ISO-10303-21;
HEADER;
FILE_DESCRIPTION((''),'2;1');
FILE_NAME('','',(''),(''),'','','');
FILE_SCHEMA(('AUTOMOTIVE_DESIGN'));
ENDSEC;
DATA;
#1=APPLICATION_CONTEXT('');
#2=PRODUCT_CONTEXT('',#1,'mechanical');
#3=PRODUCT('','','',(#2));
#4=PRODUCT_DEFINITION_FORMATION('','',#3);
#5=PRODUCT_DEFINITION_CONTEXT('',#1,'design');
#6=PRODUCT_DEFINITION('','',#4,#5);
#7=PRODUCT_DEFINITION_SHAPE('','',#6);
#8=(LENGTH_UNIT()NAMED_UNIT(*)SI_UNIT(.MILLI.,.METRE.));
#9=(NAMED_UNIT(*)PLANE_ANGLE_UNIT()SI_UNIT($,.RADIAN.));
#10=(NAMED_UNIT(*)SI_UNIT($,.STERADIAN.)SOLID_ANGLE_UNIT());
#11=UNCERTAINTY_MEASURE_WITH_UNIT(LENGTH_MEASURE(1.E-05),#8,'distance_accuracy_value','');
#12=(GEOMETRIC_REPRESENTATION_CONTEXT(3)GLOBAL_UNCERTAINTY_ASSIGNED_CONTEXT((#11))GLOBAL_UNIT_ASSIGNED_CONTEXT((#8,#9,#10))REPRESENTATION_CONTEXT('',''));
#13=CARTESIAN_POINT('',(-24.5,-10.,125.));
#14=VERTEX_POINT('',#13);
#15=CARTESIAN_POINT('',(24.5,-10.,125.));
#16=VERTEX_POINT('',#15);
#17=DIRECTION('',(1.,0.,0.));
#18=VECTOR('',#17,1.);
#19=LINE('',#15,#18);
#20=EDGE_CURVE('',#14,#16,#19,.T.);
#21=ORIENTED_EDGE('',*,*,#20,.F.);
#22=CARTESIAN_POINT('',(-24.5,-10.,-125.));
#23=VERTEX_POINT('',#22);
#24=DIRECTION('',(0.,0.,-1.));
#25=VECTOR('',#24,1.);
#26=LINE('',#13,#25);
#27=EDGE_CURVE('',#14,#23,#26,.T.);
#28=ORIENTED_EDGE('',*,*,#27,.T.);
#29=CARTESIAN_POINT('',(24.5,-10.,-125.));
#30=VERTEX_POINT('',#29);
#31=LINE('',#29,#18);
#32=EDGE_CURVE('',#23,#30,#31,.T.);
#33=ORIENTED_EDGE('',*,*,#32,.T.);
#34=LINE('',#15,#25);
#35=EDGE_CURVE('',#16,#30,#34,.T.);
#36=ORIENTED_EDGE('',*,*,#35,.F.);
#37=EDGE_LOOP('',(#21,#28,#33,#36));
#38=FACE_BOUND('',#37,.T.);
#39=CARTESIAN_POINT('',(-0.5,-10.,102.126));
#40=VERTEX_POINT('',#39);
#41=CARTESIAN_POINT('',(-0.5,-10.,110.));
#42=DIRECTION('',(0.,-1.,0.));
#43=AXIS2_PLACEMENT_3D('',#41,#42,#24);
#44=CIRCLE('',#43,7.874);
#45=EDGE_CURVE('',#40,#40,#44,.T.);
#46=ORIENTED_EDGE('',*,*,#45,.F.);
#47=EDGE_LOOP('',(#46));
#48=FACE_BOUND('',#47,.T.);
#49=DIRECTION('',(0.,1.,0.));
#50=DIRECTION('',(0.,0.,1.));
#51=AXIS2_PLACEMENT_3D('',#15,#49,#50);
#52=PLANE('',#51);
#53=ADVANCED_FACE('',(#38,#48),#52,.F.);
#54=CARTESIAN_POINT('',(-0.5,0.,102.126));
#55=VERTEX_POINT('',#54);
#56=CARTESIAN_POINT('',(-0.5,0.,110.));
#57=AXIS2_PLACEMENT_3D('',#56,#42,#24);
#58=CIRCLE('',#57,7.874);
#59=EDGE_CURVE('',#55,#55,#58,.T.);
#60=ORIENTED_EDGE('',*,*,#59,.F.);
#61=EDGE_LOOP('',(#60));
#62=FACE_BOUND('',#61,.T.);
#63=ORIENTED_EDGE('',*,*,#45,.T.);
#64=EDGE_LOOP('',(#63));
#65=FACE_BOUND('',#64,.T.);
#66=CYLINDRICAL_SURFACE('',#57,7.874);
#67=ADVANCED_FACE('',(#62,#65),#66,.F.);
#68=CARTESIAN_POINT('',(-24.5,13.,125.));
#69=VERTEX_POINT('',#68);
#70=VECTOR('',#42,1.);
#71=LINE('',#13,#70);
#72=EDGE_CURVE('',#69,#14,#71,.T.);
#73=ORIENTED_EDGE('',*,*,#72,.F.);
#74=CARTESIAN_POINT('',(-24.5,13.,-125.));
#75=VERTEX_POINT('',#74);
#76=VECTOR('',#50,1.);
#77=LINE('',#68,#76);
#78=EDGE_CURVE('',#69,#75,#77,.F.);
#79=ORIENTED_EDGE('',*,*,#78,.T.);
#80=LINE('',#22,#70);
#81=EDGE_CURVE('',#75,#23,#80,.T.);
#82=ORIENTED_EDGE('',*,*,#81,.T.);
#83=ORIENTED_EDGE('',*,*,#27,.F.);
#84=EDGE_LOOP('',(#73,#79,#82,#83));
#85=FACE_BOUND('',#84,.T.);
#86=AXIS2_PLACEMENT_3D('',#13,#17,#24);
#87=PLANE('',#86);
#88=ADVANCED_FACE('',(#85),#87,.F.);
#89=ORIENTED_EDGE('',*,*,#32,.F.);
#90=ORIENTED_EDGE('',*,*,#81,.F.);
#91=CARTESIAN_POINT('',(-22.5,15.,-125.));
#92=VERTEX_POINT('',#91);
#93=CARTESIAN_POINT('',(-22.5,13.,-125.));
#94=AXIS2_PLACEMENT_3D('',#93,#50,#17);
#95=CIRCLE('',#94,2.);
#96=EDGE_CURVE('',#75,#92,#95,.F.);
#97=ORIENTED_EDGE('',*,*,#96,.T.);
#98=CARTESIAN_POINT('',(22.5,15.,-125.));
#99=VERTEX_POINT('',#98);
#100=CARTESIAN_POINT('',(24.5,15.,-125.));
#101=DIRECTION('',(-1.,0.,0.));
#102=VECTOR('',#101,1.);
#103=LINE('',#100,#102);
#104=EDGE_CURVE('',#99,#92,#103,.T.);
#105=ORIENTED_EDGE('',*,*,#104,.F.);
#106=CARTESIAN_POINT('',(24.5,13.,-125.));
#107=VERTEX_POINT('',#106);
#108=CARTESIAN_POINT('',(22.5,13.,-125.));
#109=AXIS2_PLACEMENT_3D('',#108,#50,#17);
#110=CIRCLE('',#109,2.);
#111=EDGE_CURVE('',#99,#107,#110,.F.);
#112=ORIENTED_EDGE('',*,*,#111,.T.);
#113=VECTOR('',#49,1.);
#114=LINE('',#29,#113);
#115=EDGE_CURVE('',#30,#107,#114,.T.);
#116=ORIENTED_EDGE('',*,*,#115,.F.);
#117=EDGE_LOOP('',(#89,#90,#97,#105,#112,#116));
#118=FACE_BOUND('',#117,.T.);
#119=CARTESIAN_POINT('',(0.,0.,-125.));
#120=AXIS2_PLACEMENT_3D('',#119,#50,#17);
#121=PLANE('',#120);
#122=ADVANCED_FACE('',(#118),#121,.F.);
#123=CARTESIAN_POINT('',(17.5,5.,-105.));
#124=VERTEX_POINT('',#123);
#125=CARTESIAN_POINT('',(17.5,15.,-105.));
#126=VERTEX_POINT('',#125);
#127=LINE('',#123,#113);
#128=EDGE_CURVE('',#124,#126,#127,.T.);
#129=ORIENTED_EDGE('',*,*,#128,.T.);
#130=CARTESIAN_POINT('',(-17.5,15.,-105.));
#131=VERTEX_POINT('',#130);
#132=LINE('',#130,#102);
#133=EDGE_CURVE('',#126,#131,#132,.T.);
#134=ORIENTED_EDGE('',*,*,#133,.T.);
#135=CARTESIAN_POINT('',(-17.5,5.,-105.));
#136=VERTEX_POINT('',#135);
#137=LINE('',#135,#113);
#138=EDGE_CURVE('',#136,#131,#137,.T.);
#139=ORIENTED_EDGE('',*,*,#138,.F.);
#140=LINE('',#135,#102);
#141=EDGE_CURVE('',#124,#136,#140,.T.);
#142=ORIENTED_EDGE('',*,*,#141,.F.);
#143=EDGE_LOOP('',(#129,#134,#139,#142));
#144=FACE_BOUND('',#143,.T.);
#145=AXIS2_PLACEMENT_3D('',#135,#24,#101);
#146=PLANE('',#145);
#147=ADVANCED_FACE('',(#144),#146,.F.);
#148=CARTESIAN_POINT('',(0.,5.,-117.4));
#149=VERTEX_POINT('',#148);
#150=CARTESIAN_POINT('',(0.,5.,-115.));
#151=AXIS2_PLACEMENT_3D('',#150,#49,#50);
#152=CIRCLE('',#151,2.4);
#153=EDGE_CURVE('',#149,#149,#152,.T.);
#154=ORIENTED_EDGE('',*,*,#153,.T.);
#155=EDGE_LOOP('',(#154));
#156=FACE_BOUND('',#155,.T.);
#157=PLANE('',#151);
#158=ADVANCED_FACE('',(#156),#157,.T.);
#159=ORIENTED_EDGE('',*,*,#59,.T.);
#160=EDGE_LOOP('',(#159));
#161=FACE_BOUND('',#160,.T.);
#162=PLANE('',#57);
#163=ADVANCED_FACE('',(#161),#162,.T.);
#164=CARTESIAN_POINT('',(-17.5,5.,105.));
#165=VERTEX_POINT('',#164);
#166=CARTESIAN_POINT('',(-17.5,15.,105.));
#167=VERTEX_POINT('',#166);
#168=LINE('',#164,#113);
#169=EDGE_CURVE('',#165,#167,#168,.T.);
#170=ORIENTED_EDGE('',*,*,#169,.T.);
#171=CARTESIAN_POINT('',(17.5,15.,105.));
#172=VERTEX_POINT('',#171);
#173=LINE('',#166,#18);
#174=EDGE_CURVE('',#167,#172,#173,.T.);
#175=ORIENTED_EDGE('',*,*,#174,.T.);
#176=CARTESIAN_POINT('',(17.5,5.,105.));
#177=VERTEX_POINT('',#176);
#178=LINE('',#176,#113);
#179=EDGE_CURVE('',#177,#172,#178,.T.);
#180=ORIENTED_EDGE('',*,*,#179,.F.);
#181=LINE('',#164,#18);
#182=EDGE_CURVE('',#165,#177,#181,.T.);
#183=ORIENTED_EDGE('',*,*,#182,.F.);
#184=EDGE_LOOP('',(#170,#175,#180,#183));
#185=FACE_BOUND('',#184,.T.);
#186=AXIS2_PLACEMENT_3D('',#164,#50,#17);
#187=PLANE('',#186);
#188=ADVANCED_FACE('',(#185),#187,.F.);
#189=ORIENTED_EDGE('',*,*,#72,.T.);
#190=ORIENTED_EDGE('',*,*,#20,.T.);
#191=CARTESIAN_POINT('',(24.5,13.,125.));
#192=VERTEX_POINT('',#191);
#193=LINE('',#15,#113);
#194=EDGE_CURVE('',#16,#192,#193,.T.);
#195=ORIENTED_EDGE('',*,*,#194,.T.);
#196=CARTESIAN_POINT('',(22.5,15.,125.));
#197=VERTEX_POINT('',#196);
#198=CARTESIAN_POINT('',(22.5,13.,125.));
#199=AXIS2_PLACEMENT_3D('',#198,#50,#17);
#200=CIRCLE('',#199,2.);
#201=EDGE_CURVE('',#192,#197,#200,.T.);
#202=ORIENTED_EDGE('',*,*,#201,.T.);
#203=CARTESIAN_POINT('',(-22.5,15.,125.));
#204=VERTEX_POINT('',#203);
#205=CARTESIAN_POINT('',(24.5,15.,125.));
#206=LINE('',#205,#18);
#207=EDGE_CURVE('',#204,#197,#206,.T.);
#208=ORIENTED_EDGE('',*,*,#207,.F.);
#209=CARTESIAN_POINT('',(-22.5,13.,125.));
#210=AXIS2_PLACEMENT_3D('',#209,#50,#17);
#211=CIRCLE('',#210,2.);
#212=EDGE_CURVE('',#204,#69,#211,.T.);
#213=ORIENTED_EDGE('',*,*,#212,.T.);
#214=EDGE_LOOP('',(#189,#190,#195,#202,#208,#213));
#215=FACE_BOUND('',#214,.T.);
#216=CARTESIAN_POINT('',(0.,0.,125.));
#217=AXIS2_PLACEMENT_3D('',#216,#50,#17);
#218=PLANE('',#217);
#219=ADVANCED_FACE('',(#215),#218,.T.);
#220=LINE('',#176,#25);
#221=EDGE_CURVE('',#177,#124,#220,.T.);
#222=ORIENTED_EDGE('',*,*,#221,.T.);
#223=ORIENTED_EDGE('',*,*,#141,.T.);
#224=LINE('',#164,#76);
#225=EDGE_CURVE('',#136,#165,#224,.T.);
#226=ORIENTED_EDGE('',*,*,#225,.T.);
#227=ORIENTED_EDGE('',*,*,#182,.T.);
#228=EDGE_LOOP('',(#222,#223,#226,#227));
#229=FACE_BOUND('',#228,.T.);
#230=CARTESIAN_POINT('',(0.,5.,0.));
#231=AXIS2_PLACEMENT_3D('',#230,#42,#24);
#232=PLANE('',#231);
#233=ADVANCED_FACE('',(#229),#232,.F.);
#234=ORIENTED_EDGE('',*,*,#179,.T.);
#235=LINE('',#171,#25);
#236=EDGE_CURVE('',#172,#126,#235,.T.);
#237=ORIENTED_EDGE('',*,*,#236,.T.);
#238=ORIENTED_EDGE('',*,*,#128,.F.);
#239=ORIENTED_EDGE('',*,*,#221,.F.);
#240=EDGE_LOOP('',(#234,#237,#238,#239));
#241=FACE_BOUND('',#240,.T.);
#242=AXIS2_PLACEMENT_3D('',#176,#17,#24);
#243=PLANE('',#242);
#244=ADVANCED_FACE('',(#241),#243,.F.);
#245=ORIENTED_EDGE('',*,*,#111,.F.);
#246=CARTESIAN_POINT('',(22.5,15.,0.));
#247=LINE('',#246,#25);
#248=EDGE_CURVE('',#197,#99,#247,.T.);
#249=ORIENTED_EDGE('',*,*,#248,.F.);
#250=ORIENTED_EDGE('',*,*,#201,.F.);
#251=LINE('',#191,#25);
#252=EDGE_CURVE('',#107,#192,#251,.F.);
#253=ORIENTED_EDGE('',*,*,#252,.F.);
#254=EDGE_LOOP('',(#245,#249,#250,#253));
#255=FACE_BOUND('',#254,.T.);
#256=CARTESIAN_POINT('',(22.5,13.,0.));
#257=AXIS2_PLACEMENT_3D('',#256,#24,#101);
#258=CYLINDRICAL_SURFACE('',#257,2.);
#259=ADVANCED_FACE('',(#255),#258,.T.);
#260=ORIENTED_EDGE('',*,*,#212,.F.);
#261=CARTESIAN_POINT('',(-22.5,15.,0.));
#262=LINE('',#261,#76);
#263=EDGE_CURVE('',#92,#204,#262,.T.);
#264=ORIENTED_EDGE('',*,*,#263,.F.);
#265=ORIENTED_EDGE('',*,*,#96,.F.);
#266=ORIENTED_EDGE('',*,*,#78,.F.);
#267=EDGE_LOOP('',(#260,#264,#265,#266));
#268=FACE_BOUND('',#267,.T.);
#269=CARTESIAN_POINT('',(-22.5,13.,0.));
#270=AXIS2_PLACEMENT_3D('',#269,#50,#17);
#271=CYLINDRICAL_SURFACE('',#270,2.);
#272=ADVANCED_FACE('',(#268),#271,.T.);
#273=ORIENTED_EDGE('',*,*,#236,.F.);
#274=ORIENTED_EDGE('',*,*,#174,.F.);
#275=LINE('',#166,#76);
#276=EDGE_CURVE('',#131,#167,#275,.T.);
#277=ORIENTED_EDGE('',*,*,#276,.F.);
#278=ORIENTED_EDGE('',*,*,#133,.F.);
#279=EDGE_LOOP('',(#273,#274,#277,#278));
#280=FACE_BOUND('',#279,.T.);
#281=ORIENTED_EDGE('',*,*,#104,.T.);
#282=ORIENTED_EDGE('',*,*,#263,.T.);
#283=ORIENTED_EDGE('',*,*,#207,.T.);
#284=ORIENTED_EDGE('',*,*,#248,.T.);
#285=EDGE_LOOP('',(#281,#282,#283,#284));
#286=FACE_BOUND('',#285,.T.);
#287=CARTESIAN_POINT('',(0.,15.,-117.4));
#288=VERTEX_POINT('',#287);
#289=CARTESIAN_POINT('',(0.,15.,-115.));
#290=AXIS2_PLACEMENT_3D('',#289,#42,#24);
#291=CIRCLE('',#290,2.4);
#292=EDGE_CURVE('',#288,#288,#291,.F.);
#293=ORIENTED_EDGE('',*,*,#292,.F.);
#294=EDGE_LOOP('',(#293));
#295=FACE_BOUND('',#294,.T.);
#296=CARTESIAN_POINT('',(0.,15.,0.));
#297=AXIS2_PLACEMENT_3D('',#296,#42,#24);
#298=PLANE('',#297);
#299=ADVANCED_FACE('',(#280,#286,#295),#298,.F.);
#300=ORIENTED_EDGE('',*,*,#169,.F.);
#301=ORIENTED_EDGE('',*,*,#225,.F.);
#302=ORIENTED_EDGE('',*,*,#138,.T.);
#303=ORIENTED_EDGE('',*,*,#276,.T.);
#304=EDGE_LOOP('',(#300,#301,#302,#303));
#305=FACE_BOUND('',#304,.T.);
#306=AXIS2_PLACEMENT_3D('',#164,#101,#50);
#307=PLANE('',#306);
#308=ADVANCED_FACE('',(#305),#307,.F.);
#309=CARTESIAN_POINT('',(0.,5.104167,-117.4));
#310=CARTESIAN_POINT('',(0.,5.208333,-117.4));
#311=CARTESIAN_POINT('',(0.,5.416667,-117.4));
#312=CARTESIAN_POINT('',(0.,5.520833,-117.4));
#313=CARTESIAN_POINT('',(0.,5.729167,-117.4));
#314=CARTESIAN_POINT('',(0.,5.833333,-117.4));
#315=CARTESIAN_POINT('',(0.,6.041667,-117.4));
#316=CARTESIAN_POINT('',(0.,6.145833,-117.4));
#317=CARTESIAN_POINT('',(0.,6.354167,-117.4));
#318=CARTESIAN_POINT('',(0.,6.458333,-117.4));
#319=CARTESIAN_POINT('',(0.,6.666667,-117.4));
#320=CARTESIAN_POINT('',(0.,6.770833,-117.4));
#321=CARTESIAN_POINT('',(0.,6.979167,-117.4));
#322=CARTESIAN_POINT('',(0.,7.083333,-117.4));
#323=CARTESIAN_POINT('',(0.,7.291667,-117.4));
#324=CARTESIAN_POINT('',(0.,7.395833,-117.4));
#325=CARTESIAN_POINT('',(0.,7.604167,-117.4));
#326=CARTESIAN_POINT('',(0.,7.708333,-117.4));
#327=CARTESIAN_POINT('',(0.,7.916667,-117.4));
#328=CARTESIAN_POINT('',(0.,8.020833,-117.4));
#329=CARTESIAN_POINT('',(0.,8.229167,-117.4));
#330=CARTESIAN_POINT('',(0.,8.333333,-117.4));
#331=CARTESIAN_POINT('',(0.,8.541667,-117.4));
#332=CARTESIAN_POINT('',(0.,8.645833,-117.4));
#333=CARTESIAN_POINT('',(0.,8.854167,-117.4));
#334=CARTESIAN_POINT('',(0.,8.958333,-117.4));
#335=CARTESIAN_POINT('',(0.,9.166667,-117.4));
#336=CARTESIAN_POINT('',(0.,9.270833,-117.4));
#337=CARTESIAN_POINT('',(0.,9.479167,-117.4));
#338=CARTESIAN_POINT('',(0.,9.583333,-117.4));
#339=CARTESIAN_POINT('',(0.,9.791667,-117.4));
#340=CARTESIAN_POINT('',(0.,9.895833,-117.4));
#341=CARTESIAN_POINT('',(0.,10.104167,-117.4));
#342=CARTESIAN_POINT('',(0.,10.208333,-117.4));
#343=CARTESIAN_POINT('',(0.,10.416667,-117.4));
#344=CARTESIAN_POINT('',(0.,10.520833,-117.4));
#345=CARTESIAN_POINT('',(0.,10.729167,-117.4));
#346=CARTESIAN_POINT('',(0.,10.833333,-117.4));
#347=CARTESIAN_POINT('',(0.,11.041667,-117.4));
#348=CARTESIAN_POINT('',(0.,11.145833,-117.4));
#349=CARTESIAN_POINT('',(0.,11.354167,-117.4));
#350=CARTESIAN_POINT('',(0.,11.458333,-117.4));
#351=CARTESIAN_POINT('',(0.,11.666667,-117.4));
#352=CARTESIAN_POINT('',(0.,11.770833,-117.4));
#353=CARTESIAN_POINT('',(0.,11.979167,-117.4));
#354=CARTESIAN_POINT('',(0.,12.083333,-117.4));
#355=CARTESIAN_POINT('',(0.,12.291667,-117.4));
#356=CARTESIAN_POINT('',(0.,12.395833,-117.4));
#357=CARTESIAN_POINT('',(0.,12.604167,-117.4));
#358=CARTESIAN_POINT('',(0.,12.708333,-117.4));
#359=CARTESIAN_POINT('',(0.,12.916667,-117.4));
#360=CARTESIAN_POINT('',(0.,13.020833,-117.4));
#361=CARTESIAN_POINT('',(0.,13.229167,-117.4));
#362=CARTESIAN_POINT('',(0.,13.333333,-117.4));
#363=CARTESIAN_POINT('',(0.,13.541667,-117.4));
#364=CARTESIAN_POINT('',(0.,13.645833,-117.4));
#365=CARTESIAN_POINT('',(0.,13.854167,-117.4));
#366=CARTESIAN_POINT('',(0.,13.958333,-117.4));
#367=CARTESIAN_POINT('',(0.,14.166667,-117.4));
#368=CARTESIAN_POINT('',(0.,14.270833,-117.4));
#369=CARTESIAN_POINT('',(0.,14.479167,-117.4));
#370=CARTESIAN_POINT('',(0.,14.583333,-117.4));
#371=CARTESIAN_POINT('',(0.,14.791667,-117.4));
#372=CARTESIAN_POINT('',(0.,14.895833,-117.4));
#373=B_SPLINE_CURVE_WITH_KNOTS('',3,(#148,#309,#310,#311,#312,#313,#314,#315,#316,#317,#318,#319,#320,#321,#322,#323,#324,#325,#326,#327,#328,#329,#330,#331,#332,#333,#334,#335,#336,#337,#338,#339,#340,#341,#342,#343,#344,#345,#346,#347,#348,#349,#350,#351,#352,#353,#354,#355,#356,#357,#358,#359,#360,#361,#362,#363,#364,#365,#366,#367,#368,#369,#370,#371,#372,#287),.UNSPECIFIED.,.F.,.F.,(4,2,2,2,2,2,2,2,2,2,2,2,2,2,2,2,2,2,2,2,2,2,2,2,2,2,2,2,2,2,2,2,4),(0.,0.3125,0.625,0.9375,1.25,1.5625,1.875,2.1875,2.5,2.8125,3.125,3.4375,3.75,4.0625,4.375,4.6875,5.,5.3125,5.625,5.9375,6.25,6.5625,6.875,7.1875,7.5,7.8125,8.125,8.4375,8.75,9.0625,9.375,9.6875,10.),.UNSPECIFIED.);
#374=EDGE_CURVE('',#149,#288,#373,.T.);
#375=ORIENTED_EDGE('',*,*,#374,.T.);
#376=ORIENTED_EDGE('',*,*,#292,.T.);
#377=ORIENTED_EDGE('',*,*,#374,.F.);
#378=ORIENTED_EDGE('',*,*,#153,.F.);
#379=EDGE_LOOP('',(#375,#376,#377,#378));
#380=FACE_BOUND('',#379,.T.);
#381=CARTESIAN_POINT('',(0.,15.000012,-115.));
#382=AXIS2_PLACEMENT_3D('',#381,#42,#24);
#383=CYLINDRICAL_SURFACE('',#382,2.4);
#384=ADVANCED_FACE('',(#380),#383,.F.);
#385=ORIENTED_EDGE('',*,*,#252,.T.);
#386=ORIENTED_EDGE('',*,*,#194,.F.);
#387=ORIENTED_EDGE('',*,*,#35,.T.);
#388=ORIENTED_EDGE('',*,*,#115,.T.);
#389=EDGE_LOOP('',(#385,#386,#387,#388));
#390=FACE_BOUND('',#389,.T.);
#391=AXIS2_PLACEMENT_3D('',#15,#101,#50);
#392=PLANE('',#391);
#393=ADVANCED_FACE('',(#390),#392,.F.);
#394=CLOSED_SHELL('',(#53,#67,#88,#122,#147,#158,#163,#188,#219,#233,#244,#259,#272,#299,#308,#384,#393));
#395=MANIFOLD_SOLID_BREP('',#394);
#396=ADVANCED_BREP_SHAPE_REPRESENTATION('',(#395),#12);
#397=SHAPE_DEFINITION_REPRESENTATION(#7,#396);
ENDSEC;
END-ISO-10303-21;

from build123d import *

# Parameters (mm, degrees)
SKETCH1_W               = 49
SKETCH1_H               = 20
BOSS_EXTRUDE1_DEPTH     = 125
SKETCH3_W               = 49
SKETCH3_H               = 250
BOSS_EXTRUDE2_DEPTH     = 5
CUT_EXTRUDE1_DEPTH      = 130.808512818
CUT_EXTRUDE1_DEPTH_BACK = 10
SKETCH2_R               = 2.4
SKETCH5_W               = 35
SKETCH5_H               = 210
CUT_EXTRUDE3_DEPTH      = 10
FILLET1_R               = 2
SKETCH4_R               = 7.874
CUT_EXTRUDE2_DEPTH      = 10


with BuildPart() as part:
    # Sketch1 → Boss-Extrude1 (new, symmetric)
    with BuildSketch(Plane.XY):
        Rectangle(SKETCH1_W, SKETCH1_H)
    extrude(amount=BOSS_EXTRUDE1_DEPTH, both=True)

    # Sketch3 → Boss-Extrude2 (add)
    with BuildSketch(Plane(origin=(0, 10, 0), x_dir=(1, 0, 0), z_dir=(0, 1, 0))):
        Rectangle(SKETCH3_W, SKETCH3_H)
    extrude(amount=BOSS_EXTRUDE2_DEPTH)

    # Sketch2 → Cut-Extrude1 (cut, two sides: drawn at the far end of the back side and taken through both)
    with BuildSketch(Plane(origin=(0, 15, 0), x_dir=(1, 0, 0), z_dir=(0, 1, 0)).offset(-CUT_EXTRUDE1_DEPTH_BACK)):
        with Locations(Location((0, 115, 0), (0, 0, 90))):
            Circle(SKETCH2_R)
    extrude(amount=CUT_EXTRUDE1_DEPTH + CUT_EXTRUDE1_DEPTH_BACK, mode=Mode.SUBTRACT)

    # Sketch5 → Cut-Extrude3 (cut)
    with BuildSketch(Plane(origin=(0, 15, 0), x_dir=(1, 0, 0), z_dir=(0, 1, 0))):
        Rectangle(SKETCH5_W, SKETCH5_H)
    extrude(amount=-CUT_EXTRUDE3_DEPTH, mode=Mode.SUBTRACT)

    # Fillet1
    fillet1_edges = [part.edges().sort_by_distance(p)[0] for p in [
        (-24.5, 15, 0),
        (24.5, 15, 0),
    ]]
    fillet(fillet1_edges, radius=FILLET1_R)

    # Sketch4 → Cut-Extrude2 (cut)
    with BuildSketch(Plane.XZ.offset(10)):
        with Locations(Location((-0.5, 110, 0), (0, 0, 270))):
            Circle(SKETCH4_R)
    extrude(amount=-CUT_EXTRUDE2_DEPTH, mode=Mode.SUBTRACT)


solid = part.part
